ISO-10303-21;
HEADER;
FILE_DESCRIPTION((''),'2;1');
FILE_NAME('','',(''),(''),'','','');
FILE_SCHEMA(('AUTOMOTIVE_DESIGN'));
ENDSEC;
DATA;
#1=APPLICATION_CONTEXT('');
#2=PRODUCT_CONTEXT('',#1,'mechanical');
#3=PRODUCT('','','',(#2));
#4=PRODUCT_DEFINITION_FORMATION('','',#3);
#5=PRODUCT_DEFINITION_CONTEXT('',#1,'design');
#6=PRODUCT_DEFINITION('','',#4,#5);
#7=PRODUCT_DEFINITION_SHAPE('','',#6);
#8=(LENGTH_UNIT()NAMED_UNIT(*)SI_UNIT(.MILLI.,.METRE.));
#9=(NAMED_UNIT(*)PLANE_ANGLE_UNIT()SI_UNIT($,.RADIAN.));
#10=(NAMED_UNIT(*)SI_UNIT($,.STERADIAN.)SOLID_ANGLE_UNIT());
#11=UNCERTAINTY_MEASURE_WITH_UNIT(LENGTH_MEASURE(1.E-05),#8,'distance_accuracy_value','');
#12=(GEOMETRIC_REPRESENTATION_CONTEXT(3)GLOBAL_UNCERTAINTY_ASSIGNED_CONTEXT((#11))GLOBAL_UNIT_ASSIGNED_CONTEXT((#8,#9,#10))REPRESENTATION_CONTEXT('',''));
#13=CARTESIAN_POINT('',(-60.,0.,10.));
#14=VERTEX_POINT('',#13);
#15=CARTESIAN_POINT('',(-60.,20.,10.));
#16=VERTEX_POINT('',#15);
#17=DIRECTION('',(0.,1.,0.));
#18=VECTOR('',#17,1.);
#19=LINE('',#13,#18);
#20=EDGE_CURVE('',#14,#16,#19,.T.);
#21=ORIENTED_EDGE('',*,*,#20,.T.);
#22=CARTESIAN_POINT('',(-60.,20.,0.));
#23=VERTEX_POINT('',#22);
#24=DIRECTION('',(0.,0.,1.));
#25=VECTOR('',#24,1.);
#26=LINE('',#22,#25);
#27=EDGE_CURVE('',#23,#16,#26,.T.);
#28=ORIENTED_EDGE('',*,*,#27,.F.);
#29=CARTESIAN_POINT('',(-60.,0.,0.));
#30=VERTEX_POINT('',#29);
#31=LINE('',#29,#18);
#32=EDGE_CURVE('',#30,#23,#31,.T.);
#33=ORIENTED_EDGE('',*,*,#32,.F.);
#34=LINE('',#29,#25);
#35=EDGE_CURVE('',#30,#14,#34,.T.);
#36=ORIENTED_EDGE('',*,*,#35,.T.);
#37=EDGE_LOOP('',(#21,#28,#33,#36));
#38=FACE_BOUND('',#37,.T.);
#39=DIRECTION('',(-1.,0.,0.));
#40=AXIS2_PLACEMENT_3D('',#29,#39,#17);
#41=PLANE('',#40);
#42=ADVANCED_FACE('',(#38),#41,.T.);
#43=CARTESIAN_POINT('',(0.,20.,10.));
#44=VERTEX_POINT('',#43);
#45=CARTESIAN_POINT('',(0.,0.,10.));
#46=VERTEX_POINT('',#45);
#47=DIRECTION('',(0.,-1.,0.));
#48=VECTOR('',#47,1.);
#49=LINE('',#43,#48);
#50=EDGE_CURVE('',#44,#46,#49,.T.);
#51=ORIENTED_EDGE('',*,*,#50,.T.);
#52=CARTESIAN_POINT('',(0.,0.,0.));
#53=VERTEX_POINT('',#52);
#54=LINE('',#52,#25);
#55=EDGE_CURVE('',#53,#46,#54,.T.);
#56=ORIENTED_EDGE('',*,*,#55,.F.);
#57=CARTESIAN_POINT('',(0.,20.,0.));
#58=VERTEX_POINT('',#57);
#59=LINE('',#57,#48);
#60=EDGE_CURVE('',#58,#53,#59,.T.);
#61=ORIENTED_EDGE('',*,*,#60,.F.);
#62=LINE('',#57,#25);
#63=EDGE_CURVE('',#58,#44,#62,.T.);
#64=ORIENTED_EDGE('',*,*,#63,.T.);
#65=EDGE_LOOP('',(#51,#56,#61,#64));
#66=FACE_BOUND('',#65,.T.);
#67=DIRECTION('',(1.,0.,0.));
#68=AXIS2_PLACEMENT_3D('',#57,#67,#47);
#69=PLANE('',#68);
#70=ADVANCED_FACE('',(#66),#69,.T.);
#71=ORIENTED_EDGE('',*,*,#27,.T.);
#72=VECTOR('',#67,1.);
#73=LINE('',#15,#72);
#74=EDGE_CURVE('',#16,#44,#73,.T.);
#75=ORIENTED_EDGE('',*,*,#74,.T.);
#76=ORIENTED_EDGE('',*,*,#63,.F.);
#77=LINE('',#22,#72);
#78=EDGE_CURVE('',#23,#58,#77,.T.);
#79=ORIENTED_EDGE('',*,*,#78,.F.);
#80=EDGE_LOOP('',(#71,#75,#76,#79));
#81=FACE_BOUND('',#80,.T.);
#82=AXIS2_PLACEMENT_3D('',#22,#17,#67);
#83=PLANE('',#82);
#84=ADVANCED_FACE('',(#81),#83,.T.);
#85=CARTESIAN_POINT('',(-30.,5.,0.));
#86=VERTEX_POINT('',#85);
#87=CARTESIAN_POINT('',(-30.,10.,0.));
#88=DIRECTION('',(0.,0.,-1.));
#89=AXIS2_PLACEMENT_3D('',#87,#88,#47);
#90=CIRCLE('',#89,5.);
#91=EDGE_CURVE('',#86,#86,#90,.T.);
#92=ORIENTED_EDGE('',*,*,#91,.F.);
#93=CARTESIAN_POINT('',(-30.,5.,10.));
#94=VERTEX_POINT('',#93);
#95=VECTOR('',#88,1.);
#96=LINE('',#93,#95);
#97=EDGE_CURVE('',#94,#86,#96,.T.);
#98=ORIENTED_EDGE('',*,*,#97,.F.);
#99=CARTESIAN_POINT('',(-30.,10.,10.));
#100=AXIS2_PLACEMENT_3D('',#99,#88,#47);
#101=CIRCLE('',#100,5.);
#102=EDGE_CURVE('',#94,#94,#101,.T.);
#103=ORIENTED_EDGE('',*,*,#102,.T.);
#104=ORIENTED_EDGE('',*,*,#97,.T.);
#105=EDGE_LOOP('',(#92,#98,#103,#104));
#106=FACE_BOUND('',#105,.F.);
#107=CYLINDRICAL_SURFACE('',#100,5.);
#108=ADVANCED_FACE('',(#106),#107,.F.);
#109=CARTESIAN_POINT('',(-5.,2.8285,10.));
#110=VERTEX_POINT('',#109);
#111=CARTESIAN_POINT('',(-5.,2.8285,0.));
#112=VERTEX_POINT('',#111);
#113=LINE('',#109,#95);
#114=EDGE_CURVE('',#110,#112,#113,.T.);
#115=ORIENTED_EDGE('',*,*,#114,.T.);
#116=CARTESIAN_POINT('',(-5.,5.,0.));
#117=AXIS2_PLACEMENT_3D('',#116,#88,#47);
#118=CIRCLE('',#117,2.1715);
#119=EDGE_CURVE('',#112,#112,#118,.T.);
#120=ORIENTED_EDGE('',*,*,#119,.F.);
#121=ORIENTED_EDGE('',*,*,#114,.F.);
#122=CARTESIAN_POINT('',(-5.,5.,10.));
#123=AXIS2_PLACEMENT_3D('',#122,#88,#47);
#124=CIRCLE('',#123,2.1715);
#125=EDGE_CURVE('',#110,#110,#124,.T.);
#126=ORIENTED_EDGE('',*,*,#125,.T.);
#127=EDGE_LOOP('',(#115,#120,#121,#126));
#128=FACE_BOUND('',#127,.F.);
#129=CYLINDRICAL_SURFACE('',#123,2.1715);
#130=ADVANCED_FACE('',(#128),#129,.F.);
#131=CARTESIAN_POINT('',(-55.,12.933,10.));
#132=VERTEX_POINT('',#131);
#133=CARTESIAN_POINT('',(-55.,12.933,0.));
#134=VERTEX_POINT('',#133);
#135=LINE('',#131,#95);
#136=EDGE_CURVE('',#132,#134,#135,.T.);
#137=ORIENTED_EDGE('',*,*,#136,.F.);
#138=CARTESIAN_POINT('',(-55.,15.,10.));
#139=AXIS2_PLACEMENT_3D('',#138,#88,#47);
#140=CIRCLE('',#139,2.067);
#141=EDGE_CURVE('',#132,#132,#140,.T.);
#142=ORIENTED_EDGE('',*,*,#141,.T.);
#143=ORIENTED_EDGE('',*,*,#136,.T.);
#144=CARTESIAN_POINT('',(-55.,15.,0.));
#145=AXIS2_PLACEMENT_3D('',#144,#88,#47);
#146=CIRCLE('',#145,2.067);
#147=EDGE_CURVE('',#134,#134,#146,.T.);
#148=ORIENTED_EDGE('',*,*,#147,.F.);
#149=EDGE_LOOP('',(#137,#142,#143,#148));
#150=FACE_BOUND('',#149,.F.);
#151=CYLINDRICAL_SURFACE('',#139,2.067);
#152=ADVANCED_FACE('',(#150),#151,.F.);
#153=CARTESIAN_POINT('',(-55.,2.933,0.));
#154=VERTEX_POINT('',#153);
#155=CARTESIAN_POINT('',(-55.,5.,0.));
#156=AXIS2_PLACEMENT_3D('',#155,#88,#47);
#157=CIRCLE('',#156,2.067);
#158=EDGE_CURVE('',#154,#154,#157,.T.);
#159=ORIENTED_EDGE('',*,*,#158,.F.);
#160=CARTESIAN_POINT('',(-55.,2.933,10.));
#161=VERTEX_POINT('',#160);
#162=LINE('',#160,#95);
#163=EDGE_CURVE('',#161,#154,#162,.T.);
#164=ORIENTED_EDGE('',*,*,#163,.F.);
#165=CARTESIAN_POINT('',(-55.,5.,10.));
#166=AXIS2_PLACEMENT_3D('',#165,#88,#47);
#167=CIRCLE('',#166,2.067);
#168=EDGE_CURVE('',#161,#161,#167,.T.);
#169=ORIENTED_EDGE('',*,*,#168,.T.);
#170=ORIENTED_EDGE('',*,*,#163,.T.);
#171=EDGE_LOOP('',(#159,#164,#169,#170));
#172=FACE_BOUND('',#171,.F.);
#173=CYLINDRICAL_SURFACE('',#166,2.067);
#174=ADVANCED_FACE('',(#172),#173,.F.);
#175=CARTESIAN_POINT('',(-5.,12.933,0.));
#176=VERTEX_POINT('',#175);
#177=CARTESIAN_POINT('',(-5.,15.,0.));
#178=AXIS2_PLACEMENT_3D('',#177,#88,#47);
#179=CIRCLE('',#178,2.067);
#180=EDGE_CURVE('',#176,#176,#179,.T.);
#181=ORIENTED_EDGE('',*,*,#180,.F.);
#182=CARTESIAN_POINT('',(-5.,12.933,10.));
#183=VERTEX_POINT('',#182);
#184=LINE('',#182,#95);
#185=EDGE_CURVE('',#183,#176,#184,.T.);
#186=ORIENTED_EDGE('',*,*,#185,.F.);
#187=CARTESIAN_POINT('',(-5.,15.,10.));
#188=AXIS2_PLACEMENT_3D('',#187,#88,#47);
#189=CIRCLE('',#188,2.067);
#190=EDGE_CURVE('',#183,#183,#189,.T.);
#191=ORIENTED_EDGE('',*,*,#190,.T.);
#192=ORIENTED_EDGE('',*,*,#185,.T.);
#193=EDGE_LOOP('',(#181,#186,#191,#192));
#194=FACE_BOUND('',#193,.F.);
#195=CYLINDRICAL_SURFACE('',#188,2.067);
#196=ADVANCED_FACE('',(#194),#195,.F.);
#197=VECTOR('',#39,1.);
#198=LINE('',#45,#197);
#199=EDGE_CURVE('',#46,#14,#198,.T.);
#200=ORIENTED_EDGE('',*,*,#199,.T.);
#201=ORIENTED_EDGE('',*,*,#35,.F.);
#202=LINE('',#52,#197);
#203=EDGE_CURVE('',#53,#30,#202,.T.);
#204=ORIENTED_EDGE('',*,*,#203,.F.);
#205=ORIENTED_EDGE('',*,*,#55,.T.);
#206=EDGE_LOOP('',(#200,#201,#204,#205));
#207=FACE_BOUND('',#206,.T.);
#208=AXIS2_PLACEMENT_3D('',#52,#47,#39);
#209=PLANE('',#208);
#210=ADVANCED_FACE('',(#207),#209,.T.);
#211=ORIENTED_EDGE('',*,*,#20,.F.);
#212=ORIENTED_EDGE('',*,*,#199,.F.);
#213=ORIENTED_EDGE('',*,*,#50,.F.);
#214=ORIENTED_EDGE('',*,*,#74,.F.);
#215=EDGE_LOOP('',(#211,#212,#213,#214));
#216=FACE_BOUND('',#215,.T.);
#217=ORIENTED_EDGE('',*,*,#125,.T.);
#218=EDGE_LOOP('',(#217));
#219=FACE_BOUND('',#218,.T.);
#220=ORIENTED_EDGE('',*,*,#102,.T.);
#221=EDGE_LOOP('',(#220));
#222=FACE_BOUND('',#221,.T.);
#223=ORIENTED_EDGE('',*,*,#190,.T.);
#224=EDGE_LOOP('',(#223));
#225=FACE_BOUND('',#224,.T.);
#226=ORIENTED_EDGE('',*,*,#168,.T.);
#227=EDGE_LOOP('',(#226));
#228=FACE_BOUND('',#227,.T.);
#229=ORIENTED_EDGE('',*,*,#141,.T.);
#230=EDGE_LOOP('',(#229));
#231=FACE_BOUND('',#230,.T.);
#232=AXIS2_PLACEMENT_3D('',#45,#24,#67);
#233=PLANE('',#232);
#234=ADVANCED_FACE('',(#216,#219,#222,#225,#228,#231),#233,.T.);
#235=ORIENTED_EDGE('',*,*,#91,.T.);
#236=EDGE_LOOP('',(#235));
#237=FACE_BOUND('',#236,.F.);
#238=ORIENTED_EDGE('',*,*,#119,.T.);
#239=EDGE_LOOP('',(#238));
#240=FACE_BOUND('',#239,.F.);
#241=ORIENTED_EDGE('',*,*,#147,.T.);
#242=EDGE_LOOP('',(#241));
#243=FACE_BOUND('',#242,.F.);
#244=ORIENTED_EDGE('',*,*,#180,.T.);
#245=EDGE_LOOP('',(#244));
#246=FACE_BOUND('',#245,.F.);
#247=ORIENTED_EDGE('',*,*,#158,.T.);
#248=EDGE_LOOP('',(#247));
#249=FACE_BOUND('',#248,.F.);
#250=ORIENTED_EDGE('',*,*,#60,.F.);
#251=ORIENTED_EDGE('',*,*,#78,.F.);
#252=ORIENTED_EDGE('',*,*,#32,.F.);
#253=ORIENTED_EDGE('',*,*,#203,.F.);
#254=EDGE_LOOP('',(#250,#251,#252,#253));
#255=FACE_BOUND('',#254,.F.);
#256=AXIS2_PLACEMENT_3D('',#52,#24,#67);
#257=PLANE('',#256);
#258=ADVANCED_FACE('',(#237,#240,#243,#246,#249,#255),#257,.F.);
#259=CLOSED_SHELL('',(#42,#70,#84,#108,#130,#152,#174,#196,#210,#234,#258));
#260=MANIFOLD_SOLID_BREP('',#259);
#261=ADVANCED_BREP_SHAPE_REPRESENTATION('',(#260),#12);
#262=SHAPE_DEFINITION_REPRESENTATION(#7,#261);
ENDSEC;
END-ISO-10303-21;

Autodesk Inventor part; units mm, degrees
ref_plane "YZ Plane" through (0, 0, 0) normal (1, 0, 0) x (0, 1, 0)
ref_plane "XZ Plane" through (0, 0, 0) normal (0, 1, 0) x (-1, 0, 0)
ref_plane "XY Plane" through (0, 0, 0) normal (0, 0, 1) x (1, 0, 0)
sketch "Sketch4" plane through (0, 0, 0) normal (0, 0, 1) x (1, 0, 0)
  line L0 (0, 0) -> (-60, 0)
  line L1 (-60, 0) -> (-60, 20)
  line L2 (-60, 20) -> (0, 20)
  line L3 (0, 20) -> (0, 0)
  dimension "d37" = 60
  dimension "d38" = 20
extrude "Extrusion2" add sketch "Sketch4" along normal blind 10
hole "Hole2" at (-30, 10, 10) direction (0, 0, -1) diameter 10 depth 10 tip angle 118
hole "Hole3" at (-55, 15, 10) direction (0, 0, -1) diameter 4.134 depth 14.2 tip angle 118 thread size "M5x0.8" class "6H" standard "ISO Metric profile"
hole "Hole4" at (-5, 15, 10) direction (0, 0, -1) diameter 4.134 depth 14.2 tip angle 118 thread size "M5x0.8" class "6H" standard "ISO Metric profile"
hole "Hole5" at (-5, 5, 10) direction (0, 0, -1) diameter 4.343 depth 16.265 tip angle 118 thread size "12-24 UNC" class "2B" standard "ANSI Unified Screw Threads"
hole "Hole6" at (-55, 5, 10) direction (0, 0, -1) diameter 4.134 depth 14.2 tip angle 118 thread size "M5x0.8" class "6H" standard "ISO Metric profile"
properties part number "GARFO" material "Aluminium AW-7020"
